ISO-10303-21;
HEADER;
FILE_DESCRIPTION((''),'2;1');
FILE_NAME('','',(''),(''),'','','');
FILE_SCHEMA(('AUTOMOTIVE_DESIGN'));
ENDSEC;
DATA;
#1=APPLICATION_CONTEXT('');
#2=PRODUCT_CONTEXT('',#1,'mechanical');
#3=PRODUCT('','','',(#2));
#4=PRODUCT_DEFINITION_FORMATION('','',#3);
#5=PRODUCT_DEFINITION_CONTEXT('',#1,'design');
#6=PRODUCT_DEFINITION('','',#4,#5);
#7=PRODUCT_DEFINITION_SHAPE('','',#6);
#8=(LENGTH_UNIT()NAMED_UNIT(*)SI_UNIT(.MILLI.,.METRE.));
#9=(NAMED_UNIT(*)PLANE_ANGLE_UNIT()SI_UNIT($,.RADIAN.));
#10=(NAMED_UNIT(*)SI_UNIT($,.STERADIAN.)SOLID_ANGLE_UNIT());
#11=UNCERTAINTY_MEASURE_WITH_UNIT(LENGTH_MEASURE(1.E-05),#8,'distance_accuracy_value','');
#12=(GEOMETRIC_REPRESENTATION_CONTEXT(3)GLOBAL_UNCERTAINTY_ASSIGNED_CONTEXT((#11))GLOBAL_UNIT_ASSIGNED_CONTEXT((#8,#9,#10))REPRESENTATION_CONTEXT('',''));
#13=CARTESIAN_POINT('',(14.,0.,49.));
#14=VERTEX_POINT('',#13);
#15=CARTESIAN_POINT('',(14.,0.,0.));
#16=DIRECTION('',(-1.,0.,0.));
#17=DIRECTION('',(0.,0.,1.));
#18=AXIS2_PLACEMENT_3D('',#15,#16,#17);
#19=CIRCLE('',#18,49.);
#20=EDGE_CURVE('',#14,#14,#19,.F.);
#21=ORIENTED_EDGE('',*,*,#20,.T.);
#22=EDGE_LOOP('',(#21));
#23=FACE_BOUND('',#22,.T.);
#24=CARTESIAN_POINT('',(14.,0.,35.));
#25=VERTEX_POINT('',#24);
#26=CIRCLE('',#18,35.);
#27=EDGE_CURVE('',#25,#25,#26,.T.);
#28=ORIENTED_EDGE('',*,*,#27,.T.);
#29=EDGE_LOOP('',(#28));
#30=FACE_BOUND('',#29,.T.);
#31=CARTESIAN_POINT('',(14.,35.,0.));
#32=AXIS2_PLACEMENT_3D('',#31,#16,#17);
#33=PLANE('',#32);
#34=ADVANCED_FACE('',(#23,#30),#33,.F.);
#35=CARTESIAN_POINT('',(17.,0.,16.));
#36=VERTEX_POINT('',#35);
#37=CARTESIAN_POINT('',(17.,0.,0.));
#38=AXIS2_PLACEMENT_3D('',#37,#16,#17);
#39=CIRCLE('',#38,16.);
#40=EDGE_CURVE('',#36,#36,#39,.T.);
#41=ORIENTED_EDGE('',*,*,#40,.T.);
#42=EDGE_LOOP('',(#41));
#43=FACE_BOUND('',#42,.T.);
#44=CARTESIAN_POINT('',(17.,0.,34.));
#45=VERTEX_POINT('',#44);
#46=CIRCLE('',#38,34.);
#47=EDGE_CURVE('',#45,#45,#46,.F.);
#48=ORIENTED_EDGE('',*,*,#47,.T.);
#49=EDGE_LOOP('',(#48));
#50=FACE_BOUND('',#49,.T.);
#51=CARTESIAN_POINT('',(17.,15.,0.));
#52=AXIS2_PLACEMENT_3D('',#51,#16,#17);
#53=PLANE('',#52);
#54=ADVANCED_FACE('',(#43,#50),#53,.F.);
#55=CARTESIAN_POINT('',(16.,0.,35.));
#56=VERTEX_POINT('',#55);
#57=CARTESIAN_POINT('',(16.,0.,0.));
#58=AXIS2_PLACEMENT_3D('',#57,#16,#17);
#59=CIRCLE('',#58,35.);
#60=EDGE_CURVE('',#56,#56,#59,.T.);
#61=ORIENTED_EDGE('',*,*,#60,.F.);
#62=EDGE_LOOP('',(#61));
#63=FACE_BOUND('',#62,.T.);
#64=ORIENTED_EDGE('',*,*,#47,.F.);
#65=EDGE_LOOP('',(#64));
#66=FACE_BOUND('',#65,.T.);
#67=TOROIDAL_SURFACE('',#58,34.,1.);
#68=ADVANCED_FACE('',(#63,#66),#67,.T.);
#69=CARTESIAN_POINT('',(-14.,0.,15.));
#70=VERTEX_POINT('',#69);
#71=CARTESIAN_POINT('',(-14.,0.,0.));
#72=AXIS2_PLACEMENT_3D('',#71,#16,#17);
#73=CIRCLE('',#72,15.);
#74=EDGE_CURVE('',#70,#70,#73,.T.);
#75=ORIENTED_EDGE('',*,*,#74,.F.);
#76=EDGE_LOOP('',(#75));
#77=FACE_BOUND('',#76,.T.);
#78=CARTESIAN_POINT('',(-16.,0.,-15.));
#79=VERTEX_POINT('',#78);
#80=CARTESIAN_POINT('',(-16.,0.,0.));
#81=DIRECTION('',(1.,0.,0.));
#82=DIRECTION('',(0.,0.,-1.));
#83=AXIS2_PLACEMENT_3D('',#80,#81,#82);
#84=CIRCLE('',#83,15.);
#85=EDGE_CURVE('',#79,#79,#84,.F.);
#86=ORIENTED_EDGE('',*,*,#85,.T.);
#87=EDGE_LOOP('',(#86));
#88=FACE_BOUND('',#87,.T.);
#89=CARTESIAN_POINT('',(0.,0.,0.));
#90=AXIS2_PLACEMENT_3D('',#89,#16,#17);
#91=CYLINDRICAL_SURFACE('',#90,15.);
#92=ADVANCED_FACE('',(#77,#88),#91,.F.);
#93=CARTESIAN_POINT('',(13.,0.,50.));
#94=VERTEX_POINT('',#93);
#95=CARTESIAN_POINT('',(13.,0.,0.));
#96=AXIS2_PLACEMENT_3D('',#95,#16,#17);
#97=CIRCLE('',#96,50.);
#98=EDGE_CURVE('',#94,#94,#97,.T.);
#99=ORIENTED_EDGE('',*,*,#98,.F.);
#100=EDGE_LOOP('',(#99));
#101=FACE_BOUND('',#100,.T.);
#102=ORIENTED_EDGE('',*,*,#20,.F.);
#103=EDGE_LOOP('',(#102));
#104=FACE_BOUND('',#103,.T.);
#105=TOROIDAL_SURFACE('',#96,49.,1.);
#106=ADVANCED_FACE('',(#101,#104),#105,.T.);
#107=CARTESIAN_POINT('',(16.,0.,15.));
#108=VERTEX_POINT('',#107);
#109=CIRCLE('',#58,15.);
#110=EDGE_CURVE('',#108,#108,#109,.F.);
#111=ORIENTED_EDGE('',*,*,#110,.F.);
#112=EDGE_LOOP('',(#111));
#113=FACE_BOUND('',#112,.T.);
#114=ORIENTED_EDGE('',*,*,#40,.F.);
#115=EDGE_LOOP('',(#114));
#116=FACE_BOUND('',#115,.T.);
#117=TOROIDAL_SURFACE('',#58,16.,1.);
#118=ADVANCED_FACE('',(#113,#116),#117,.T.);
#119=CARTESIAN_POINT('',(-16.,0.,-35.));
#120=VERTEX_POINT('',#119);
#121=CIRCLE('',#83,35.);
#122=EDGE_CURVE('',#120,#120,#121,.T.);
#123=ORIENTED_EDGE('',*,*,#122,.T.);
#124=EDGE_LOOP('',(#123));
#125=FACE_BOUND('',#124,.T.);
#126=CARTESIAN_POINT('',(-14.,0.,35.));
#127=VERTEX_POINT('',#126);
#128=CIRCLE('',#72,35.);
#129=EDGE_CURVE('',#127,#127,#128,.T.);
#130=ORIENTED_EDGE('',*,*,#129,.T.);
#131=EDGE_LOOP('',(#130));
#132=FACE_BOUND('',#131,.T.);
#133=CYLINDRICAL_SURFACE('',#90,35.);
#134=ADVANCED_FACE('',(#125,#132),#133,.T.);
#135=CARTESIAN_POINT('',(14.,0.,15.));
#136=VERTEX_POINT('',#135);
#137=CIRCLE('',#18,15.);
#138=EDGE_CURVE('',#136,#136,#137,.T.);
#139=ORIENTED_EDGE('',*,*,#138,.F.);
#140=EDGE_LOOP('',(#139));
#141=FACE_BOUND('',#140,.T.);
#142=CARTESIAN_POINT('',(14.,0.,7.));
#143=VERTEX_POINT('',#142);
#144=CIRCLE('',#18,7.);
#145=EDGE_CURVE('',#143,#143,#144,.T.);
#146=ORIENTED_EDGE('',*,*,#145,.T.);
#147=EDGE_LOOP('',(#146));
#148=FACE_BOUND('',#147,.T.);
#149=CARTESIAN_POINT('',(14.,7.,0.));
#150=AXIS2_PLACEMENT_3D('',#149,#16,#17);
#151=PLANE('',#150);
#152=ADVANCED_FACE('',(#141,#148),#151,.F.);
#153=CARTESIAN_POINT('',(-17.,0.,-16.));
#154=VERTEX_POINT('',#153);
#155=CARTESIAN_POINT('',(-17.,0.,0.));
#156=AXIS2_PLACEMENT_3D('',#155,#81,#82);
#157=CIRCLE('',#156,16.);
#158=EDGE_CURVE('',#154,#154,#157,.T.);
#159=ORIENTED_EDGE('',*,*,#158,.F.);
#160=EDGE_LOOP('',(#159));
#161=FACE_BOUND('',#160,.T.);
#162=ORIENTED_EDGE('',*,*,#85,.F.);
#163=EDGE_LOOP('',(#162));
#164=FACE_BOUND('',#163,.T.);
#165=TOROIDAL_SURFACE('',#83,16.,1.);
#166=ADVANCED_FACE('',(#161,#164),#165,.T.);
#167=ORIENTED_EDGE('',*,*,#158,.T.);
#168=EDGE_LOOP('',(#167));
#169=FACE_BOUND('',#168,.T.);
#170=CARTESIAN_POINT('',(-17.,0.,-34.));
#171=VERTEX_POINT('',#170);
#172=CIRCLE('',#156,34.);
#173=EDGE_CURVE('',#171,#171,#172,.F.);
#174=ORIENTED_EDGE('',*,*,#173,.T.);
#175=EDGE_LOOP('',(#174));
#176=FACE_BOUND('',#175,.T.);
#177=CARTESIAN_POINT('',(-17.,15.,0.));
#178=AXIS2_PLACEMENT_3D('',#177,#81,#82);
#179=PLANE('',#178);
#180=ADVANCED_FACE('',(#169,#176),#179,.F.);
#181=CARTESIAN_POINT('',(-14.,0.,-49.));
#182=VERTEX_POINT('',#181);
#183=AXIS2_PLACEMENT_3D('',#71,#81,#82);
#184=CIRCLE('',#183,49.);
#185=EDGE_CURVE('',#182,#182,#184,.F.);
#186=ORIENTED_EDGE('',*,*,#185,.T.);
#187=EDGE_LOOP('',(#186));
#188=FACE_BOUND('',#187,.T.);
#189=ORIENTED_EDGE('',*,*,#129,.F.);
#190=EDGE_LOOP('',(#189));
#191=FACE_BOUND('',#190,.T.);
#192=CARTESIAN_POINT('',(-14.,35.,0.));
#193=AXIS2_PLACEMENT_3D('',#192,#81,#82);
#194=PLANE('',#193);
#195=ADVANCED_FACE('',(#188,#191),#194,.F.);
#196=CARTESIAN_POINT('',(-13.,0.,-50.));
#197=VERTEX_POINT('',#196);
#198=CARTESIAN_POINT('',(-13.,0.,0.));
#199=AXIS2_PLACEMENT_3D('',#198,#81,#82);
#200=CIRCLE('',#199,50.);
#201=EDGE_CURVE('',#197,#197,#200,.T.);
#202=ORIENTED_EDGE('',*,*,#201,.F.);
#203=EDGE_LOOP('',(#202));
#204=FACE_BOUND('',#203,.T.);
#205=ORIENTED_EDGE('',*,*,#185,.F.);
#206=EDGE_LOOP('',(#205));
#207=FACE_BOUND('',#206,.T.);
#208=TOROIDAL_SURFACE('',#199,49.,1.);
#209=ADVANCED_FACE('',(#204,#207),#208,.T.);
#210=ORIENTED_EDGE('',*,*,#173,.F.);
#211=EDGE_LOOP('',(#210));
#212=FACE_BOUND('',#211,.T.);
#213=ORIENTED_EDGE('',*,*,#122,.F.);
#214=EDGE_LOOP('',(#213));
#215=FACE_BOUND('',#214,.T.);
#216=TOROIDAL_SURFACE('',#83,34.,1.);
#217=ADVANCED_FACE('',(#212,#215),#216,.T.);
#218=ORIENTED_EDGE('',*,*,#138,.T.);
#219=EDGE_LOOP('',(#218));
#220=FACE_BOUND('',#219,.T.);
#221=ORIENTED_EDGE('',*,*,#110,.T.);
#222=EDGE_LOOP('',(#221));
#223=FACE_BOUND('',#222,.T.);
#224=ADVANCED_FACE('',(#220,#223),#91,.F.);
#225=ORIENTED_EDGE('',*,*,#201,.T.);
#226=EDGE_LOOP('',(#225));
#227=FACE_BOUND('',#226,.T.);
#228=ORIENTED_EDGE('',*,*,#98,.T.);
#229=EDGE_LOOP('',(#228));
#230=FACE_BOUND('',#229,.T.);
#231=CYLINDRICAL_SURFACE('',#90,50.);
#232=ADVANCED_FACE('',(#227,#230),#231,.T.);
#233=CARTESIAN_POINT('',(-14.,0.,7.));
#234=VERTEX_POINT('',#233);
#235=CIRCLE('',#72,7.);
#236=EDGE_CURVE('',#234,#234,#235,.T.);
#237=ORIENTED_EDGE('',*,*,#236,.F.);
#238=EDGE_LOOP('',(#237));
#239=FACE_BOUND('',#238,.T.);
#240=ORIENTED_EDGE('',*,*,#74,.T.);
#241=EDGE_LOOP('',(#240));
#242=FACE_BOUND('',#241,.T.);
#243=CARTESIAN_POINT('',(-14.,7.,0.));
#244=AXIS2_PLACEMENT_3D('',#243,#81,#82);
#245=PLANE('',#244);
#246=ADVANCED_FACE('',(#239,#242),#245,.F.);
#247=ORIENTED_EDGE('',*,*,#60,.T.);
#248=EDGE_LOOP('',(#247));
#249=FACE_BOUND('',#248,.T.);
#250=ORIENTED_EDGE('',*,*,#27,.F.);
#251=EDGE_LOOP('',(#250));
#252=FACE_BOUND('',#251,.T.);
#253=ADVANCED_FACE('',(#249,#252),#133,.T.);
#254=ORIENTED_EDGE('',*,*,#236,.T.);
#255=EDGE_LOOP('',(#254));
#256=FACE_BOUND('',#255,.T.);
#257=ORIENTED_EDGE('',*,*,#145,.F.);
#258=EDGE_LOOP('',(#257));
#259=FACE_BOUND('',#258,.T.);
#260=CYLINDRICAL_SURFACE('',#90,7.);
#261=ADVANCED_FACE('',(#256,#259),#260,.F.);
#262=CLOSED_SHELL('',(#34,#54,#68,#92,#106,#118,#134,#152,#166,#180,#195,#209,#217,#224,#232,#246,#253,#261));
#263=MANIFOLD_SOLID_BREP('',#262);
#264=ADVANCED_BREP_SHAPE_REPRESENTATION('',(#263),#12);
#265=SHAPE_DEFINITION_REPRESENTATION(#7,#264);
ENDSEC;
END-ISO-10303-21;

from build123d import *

# Parameters (mm, degrees)
FILLET1_R = 1


with BuildPart() as part:
    # Sketch1 → Revolve1 (revolve)
    with BuildSketch(Plane.XY, mode=Mode.PRIVATE) as revolve1_sk:
        Polygon((14, 7), (14, 15), (17, 15), (17, 35), (14, 35), (14, 50), (-14, 50), (-14, 35), (-17, 35), (-17, 15), (-14, 15), (-14, 7), align=None)
    revolve(revolve1_sk.sketch.rotate(Axis((0, 0, 0), (1, 0, 0)), 90), axis=Axis((0, 0, 0), (1, 0, 0)))

    # Fillet1
    fillet1_edges = [part.edges().sort_by_distance(p)[0] for p in [
        (-17, 0, -15),
        (-17, 0, -35),
        (-14, 0, -50),
        (14, 0, -50),
        (17, 0, -35),
        (17, 0, -15),
    ]]
    fillet(fillet1_edges, radius=FILLET1_R)


solid = part.part
